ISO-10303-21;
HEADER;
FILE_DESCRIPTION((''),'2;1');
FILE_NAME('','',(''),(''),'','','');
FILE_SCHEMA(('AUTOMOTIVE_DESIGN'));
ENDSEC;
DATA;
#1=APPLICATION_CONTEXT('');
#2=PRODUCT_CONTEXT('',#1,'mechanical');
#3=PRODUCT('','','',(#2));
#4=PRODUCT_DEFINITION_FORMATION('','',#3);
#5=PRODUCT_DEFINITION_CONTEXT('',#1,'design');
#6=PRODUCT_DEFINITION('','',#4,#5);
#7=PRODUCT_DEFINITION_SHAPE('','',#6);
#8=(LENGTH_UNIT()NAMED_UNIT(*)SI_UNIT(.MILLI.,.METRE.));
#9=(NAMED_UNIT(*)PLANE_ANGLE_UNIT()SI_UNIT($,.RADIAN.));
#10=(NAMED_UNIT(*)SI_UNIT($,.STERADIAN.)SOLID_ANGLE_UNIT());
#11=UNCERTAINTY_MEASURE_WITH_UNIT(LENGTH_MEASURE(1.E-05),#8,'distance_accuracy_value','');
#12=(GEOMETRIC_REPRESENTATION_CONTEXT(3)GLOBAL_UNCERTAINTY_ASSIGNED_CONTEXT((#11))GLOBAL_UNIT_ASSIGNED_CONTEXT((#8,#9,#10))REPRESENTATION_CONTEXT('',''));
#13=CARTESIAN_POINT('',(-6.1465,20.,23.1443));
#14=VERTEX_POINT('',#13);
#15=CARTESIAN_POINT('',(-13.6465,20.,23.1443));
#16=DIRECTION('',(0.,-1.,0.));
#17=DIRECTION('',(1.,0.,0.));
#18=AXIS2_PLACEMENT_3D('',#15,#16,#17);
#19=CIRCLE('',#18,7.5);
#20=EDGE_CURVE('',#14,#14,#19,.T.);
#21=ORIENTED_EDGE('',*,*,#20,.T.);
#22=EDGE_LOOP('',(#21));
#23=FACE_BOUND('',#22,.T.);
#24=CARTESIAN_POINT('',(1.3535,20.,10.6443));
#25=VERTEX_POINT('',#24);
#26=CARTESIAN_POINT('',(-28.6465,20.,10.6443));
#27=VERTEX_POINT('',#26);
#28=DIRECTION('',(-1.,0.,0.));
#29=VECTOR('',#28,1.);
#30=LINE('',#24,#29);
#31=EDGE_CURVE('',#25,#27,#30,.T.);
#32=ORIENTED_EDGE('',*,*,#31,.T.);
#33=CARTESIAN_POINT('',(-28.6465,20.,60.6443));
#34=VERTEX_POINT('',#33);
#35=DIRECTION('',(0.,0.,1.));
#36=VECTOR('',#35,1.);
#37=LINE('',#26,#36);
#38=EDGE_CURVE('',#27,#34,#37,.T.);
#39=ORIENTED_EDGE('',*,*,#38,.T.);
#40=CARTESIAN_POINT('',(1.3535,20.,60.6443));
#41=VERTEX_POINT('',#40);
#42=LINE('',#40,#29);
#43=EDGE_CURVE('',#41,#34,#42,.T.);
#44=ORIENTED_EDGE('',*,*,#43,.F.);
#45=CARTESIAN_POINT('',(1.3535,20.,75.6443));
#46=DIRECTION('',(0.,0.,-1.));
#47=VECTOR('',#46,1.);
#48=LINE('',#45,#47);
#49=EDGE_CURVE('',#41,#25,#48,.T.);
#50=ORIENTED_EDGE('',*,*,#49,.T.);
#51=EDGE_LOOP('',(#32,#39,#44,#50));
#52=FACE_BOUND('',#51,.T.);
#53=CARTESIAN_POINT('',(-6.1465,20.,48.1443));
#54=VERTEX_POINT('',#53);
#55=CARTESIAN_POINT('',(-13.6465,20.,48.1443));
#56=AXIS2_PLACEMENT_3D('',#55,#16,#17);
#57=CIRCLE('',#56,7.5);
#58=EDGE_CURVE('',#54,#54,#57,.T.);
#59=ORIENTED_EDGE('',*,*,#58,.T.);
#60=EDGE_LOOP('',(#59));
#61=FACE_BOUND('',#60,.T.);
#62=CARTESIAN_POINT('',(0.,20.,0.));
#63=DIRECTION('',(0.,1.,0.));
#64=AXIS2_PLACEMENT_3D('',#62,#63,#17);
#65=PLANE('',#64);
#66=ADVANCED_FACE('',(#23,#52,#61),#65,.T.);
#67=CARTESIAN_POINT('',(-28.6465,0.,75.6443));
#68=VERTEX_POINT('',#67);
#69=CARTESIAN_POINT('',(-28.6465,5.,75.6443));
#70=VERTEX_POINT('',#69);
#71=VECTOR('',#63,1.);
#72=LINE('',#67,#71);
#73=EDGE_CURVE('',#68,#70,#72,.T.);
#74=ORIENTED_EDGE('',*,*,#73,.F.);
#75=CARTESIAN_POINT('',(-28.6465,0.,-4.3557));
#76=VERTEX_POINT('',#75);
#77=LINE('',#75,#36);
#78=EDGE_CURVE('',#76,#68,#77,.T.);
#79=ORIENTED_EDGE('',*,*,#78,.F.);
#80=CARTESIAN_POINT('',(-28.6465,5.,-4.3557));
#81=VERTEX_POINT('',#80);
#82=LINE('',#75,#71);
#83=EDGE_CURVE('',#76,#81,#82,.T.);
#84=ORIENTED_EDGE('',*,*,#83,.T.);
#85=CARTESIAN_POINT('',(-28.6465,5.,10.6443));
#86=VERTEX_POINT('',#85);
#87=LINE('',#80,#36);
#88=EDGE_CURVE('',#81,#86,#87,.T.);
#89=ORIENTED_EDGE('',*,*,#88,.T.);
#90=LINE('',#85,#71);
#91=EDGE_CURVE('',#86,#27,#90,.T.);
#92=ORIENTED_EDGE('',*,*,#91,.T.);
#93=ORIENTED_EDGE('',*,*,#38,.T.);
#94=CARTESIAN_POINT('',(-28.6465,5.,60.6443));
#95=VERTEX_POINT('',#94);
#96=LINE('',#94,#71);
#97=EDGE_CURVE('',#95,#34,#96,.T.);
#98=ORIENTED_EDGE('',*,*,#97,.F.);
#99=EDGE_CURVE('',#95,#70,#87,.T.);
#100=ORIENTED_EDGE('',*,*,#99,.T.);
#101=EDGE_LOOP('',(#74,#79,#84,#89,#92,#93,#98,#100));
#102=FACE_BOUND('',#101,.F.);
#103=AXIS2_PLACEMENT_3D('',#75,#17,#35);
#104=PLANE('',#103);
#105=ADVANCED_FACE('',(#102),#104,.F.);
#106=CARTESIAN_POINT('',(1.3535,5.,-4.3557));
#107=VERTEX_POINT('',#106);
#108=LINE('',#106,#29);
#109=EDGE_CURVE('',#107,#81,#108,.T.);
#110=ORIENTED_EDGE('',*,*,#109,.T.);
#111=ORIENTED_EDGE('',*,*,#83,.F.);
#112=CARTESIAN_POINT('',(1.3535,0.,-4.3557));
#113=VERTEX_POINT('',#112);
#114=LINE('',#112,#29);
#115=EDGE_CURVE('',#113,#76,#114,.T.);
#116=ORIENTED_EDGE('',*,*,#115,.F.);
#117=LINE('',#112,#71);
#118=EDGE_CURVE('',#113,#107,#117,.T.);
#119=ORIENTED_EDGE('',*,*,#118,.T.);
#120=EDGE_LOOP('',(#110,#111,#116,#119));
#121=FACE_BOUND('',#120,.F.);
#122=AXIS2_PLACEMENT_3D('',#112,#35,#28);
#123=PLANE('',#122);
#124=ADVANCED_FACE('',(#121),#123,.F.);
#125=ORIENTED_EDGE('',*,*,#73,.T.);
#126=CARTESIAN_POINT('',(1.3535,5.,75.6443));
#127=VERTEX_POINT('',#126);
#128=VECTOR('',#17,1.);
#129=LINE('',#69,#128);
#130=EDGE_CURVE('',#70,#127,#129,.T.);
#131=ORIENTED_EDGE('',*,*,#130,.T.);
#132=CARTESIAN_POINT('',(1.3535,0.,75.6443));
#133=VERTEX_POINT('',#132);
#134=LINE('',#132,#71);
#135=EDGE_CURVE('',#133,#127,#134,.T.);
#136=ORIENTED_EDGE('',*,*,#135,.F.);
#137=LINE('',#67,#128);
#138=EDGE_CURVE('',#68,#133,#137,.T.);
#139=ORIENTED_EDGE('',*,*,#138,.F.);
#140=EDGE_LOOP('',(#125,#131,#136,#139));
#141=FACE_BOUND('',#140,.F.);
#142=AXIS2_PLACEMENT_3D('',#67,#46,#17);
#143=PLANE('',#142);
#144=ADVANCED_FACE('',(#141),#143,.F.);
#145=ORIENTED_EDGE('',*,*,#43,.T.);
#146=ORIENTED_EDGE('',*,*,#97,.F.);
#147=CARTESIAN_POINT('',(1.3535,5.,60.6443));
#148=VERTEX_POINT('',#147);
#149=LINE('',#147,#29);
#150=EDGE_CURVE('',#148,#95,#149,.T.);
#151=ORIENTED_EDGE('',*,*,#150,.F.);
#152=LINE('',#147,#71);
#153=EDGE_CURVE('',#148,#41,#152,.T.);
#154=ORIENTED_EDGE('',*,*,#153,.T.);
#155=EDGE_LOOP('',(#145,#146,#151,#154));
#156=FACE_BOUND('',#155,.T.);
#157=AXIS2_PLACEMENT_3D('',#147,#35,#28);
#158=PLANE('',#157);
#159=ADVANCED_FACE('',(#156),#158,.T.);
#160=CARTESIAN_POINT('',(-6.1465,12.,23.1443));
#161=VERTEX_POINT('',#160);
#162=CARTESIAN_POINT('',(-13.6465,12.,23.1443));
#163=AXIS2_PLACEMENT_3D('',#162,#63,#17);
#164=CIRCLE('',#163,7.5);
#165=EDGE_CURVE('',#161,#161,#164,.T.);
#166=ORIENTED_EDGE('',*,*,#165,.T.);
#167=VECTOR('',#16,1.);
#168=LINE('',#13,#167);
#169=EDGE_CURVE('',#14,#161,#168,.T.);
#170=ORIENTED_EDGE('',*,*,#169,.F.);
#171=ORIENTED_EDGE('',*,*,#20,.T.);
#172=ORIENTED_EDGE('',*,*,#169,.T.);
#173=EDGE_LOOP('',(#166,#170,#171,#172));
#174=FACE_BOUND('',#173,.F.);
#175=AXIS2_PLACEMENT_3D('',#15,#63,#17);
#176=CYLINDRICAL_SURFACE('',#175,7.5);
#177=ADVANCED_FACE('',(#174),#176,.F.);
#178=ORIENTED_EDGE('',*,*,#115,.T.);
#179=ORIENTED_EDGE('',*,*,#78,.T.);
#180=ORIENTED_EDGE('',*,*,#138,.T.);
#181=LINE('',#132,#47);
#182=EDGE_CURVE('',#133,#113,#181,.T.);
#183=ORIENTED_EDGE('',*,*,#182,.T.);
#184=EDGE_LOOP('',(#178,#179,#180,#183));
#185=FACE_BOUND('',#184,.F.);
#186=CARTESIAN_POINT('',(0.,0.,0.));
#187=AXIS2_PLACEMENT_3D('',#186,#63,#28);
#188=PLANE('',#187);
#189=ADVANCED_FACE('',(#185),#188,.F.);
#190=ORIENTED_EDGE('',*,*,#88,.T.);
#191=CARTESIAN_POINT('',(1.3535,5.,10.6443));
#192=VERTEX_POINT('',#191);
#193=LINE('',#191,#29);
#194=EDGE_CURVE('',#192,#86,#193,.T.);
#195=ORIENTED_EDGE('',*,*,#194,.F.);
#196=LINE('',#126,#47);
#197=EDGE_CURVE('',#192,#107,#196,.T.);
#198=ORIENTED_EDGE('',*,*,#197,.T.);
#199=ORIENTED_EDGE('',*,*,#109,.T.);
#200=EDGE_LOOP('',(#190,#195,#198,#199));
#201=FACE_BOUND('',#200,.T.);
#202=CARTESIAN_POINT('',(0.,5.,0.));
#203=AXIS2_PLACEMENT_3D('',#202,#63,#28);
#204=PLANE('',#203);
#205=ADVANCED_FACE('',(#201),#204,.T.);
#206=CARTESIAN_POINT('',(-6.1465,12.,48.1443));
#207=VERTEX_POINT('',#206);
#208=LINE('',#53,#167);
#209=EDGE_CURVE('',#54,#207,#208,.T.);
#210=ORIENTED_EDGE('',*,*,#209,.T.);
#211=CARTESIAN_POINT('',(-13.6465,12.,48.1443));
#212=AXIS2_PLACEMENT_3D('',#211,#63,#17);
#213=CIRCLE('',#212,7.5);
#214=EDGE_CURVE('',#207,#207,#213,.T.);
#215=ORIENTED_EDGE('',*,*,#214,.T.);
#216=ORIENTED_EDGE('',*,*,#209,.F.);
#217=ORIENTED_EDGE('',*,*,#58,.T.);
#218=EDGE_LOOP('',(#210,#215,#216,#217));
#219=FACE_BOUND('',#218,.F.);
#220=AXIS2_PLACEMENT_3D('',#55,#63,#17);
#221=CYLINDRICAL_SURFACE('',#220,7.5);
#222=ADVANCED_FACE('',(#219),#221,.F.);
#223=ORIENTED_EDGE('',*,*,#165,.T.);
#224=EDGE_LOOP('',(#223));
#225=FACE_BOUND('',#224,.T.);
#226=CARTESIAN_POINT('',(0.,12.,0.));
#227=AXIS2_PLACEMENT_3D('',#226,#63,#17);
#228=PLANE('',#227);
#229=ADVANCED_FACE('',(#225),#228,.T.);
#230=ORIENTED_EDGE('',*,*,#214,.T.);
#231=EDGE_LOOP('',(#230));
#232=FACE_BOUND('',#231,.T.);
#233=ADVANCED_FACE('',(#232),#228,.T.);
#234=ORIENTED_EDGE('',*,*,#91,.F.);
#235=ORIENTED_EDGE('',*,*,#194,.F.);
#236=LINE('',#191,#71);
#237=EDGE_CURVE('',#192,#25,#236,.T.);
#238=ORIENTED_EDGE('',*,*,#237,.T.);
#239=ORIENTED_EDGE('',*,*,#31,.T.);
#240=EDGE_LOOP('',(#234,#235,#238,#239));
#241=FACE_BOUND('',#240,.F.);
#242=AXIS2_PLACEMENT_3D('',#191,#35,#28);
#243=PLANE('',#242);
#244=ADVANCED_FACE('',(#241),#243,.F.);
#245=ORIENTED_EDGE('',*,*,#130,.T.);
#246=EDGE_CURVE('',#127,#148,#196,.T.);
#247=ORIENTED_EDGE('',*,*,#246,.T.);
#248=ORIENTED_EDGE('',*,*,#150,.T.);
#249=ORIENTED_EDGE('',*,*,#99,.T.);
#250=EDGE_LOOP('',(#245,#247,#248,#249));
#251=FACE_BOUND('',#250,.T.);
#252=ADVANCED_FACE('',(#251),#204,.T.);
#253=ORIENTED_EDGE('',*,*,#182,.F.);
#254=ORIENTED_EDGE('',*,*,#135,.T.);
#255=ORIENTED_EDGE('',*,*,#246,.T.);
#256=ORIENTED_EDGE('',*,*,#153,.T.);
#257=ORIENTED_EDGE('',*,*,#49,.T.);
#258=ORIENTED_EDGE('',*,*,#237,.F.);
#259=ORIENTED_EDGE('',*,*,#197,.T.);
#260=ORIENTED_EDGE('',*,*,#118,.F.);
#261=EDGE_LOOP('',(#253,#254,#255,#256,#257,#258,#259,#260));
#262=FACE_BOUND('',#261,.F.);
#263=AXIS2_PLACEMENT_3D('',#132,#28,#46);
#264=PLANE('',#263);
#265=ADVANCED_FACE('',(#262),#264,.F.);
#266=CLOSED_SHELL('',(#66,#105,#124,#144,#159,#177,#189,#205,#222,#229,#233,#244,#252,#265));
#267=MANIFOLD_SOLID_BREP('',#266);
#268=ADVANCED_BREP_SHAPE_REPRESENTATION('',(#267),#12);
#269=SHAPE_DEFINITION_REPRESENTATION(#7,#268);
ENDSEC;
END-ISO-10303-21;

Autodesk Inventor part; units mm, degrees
ref_plane "YZ Plane" through (0, 0, 0) normal (1, 0, 0) x (0, 1, 0)
ref_plane "XZ Plane" through (0, 0, 0) normal (0, 1, 0) x (-1, 0, 0)
ref_plane "XY Plane" through (0, 0, 0) normal (0, 0, 1) x (1, 0, 0)
sketch "Sketch1" plane through (0, 0, 0) normal (0, 1, 0) x (-1, 0, 0)
  line L0 (28.6465, 75.6443) -> (-1.3535, 75.6443)
  line L1 (-1.3535, 75.6443) -> (-1.3535, -4.3557)
  line L2 (-1.3535, -4.3557) -> (28.6465, -4.3557)
  line L3 (28.6465, -4.3557) -> (28.6465, 75.6443)
  point P0 (0, 0)
  dimension "d0" = 30
  dimension "d1" = 80
extrude "Extrusion1" add sketch "Sketch1" along normal blind 5
sketch "Sketch2" plane through (0, 5, 0) normal (0, 1, 0) x (1, 0, 0)
  line L0 (1.3535, -75.6443) -> (1.3535, 4.3557) projected
  line L1 (-28.6465, -75.6443) -> (1.3535, -75.6443)
  line L2 (1.3535, -75.6443) -> (1.3535, -60.6443)
  line L3 (1.3535, -60.6443) -> (-28.6465, -60.6443)
  line L4 (-28.6465, -60.6443) -> (-28.6465, -75.6443)
  line L5 (-28.6465, 4.3557) -> (1.3535, 4.3557)
  line L6 (1.3535, 4.3557) -> (1.3535, -10.6443)
  line L7 (1.3535, -10.6443) -> (-28.6465, -10.6443)
  line L8 (-28.6465, -10.6443) -> (-28.6465, 4.3557)
  line L9 (-28.6465, -60.6443) -> (1.3535, -60.6443)
  line L10 (1.3535, -60.6443) -> (1.3535, -10.6443)
  line L11 (1.3535, -10.6443) -> (-28.6465, -10.6443)
  line L12 (-28.6465, -10.6443) -> (-28.6465, -60.6443)
  point P0 (0, 0)
  dimension "d4" = 15
  dimension "d5" = 15
extrude "Extrusion2" add sketch "Sketch2" along normal blind 15 contours L3 L12 L7 L0
sketch "Sketch3" plane through (0, 20, 0) normal (0, 1, 0) x (1, 0, 0)
  line L0 (1.3535, -60.6443) -> (-28.6465, -60.6443) projected
  line L1 (-13.6465, -60.6443) -> (-13.6465, -10.6443)
  line L2 (1.3535, -10.6443) -> (-28.6465, -10.6443) projected
  line L3 (-28.6465, 4.3557) -> (-28.6465, -75.6443) projected
  line L4 (-28.6465, -35.6443) -> (1.3535, -35.6443)
  line L5 (1.3535, -75.6443) -> (1.3535, 4.3557) projected
  line L6 (-13.6465, -60.6443) -> (-13.6465, -36.1443)
  line L7 (-13.6465, -60.6443) -> (-13.6465, -48.1443)
  circle A0 centre (-13.6465, -48.1443) radius 7.5
  circle A1 centre (-13.6465, -23.1443) radius 7.5
  point P0 (0, 0)
  dimension "d8" = 50
  dimension "d9" = 24.5
  dimension "d10" = 12.5
  dimension "d11" = 15
extrude "Extrusion4" cut sketch "Sketch3" against normal blind 8 contours A0 L1 | L1 A0 | A1 L1 | L1 A1
properties part number "sonar"
